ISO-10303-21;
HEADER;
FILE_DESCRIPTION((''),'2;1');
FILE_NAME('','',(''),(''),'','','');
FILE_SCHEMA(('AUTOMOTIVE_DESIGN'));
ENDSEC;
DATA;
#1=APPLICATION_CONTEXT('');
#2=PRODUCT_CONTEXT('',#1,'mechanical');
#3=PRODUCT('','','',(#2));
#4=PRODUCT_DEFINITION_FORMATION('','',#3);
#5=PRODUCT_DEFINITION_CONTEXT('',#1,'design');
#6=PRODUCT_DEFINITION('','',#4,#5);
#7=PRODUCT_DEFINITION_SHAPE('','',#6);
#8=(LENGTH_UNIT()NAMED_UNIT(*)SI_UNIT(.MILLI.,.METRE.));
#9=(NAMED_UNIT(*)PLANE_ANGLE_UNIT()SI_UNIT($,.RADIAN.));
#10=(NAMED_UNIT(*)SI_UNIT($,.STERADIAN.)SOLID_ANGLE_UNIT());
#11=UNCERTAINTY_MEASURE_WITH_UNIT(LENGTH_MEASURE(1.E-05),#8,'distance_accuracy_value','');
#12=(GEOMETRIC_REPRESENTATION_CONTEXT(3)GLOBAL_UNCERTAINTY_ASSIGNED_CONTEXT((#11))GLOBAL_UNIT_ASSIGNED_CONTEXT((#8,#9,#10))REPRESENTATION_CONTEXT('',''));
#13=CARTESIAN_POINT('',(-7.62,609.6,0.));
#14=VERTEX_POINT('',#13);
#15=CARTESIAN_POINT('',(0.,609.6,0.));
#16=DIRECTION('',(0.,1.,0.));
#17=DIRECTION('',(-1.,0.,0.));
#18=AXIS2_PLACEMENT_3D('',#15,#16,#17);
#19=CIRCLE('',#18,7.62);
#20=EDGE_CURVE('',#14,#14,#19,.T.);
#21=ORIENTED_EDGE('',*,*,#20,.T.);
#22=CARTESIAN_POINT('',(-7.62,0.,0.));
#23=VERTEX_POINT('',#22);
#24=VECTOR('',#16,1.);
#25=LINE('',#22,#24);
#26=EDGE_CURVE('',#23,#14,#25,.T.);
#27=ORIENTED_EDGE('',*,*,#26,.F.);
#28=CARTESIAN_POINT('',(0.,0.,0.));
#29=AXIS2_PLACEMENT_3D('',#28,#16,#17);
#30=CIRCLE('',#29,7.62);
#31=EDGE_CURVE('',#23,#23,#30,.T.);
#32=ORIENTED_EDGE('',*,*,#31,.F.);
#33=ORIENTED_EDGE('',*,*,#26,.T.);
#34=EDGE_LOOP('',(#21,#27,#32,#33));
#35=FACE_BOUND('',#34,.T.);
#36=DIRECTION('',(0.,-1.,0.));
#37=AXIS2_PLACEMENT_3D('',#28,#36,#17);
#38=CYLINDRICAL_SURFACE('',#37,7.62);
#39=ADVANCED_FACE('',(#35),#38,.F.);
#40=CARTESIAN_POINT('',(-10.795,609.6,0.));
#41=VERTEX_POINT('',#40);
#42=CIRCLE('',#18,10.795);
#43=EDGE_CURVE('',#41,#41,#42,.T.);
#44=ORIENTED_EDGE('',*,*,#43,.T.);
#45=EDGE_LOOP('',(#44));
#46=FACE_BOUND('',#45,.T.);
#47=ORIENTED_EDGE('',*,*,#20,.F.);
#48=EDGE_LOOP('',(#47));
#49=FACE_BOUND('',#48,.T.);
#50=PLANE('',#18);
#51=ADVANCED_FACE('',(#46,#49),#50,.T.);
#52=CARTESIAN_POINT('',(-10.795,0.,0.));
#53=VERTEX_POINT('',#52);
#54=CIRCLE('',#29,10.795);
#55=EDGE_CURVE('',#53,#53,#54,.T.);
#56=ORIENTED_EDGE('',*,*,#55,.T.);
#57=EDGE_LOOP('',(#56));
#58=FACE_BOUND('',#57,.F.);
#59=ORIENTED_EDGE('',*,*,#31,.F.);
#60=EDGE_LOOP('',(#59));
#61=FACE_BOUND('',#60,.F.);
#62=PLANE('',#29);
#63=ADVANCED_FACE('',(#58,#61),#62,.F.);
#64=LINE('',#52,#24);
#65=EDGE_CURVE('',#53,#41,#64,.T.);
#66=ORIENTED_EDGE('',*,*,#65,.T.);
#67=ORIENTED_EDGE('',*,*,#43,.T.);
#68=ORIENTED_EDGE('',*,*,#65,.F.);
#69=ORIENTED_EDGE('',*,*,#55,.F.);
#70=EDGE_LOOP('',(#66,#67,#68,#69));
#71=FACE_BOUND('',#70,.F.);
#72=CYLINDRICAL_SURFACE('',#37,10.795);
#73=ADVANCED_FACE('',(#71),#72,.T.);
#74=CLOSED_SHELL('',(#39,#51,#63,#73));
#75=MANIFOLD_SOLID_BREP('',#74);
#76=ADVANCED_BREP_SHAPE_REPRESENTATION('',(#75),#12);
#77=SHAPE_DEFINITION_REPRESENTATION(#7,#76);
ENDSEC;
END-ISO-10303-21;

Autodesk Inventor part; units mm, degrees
ref_plane "YZ Plane" through (0, 0, 0) normal (1, 0, 0) x (0, 1, 0)
ref_plane "XZ Plane" through (0, 0, 0) normal (0, 1, 0) x (-1, 0, 0)
ref_plane "XY Plane" through (0, 0, 0) normal (0, 0, 1) x (1, 0, 0)
sketch "Sketch1" plane through (0, 0, 0) normal (0, 1, 0) x (-1, 0, 0)
  circle A0 centre (0, 0) radius 7.62
  circle A1 centre (0, 0) radius 10.795
  dimension "d0" = 15.24
  dimension "d1" = 3.175
extrude "Extrusion1" add sketch "Sketch1" along normal blind 609.6
properties part number "PVC_inner_0.6___Thickness_0.12"
